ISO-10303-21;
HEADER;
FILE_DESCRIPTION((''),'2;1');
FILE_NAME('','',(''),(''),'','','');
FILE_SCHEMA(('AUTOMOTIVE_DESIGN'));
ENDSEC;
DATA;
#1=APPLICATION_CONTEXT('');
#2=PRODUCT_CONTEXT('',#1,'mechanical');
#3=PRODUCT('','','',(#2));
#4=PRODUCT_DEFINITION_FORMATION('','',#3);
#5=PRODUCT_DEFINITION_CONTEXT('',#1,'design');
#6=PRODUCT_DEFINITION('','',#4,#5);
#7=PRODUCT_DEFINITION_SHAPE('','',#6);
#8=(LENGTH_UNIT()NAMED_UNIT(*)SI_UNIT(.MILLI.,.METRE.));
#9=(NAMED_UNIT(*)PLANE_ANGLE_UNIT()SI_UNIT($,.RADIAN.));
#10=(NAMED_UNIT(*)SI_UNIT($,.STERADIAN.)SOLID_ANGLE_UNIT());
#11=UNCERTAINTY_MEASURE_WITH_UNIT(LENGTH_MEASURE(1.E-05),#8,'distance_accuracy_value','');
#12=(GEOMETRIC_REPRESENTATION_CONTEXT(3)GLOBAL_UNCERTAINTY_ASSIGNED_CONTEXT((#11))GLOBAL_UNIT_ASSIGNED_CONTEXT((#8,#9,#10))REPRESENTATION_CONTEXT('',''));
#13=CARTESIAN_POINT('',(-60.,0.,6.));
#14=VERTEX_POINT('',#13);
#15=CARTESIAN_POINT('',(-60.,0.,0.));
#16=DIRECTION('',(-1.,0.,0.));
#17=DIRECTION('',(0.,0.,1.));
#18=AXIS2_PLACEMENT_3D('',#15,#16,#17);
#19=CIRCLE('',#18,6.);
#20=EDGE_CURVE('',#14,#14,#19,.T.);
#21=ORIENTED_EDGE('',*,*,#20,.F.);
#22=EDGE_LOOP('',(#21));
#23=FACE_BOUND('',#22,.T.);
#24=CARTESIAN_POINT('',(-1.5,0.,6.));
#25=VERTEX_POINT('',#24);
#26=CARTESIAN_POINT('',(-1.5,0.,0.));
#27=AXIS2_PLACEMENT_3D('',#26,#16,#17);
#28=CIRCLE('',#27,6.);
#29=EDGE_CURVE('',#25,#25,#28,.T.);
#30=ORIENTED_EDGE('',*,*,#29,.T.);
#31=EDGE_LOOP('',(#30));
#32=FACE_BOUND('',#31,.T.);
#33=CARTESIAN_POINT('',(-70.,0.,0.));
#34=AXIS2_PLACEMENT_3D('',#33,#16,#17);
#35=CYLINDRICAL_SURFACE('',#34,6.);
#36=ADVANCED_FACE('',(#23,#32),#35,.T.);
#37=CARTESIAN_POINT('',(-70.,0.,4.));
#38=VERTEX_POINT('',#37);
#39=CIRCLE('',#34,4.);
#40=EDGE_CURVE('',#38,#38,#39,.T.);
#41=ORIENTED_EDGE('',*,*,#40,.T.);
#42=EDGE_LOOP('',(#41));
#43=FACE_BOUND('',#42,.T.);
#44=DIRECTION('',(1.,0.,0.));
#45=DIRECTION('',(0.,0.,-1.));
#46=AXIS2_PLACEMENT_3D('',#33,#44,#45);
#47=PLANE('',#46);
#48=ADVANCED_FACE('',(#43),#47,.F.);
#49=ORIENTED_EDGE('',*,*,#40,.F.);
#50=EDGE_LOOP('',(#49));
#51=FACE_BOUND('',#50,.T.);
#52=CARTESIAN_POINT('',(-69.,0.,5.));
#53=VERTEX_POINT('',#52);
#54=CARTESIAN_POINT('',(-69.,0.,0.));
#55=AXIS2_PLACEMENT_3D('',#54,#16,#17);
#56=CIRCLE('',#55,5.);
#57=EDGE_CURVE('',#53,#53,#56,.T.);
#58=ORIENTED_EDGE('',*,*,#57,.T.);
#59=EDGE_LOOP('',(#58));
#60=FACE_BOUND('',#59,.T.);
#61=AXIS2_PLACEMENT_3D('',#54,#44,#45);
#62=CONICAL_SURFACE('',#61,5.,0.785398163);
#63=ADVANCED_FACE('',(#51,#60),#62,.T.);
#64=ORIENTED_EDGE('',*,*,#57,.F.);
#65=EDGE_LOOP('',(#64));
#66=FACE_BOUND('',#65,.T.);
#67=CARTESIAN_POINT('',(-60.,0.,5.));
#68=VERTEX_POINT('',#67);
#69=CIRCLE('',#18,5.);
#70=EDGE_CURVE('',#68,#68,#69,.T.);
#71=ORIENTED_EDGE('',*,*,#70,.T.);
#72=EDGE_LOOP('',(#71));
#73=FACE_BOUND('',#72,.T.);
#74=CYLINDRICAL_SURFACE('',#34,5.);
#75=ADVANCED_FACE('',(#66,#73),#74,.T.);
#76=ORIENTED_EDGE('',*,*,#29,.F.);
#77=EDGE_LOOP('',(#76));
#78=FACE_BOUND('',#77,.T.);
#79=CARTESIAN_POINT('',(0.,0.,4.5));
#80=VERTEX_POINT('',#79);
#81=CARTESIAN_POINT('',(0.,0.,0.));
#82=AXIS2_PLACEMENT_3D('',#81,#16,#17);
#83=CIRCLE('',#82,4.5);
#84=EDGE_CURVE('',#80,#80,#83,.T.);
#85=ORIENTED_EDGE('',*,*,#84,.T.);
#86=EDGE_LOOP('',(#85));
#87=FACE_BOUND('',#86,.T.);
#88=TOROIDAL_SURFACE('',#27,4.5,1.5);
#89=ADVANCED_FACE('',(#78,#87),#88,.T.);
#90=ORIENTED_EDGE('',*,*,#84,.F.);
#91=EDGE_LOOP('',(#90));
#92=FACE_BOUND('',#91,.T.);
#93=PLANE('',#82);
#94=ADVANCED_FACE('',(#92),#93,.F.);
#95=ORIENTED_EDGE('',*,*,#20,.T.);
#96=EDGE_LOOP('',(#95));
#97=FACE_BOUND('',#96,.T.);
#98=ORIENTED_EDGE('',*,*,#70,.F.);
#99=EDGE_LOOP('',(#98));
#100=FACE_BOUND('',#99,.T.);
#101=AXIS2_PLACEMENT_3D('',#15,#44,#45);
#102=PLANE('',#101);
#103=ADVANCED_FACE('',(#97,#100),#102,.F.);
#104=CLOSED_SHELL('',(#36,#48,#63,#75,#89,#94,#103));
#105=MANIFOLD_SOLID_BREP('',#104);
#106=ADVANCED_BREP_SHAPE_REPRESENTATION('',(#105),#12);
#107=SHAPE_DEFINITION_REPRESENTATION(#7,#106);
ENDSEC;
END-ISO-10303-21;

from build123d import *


with BuildPart() as part:
    # Esquisse1 → Révolution1 (revolve)
    with BuildSketch(Plane.XY):
        with BuildLine():
            Line((0, 0), (0, 4.5))
            ThreePointArc((0, 4.5), (-0.439339828, 5.560660172), (-1.5, 6))
            Line((-1.5, 6), (-60, 6))
            Line((-60, 6), (-60, 5))
            Line((-60, 5), (-69, 5))
            Line((-69, 5), (-70, 4))
            Line((-70, 4), (-70, 0))
            Line((-70, 0), (0, 0))
        make_face()
    revolve(axis=Axis((-70, 0, 0), (1, 0, 0)))


solid = part.part
